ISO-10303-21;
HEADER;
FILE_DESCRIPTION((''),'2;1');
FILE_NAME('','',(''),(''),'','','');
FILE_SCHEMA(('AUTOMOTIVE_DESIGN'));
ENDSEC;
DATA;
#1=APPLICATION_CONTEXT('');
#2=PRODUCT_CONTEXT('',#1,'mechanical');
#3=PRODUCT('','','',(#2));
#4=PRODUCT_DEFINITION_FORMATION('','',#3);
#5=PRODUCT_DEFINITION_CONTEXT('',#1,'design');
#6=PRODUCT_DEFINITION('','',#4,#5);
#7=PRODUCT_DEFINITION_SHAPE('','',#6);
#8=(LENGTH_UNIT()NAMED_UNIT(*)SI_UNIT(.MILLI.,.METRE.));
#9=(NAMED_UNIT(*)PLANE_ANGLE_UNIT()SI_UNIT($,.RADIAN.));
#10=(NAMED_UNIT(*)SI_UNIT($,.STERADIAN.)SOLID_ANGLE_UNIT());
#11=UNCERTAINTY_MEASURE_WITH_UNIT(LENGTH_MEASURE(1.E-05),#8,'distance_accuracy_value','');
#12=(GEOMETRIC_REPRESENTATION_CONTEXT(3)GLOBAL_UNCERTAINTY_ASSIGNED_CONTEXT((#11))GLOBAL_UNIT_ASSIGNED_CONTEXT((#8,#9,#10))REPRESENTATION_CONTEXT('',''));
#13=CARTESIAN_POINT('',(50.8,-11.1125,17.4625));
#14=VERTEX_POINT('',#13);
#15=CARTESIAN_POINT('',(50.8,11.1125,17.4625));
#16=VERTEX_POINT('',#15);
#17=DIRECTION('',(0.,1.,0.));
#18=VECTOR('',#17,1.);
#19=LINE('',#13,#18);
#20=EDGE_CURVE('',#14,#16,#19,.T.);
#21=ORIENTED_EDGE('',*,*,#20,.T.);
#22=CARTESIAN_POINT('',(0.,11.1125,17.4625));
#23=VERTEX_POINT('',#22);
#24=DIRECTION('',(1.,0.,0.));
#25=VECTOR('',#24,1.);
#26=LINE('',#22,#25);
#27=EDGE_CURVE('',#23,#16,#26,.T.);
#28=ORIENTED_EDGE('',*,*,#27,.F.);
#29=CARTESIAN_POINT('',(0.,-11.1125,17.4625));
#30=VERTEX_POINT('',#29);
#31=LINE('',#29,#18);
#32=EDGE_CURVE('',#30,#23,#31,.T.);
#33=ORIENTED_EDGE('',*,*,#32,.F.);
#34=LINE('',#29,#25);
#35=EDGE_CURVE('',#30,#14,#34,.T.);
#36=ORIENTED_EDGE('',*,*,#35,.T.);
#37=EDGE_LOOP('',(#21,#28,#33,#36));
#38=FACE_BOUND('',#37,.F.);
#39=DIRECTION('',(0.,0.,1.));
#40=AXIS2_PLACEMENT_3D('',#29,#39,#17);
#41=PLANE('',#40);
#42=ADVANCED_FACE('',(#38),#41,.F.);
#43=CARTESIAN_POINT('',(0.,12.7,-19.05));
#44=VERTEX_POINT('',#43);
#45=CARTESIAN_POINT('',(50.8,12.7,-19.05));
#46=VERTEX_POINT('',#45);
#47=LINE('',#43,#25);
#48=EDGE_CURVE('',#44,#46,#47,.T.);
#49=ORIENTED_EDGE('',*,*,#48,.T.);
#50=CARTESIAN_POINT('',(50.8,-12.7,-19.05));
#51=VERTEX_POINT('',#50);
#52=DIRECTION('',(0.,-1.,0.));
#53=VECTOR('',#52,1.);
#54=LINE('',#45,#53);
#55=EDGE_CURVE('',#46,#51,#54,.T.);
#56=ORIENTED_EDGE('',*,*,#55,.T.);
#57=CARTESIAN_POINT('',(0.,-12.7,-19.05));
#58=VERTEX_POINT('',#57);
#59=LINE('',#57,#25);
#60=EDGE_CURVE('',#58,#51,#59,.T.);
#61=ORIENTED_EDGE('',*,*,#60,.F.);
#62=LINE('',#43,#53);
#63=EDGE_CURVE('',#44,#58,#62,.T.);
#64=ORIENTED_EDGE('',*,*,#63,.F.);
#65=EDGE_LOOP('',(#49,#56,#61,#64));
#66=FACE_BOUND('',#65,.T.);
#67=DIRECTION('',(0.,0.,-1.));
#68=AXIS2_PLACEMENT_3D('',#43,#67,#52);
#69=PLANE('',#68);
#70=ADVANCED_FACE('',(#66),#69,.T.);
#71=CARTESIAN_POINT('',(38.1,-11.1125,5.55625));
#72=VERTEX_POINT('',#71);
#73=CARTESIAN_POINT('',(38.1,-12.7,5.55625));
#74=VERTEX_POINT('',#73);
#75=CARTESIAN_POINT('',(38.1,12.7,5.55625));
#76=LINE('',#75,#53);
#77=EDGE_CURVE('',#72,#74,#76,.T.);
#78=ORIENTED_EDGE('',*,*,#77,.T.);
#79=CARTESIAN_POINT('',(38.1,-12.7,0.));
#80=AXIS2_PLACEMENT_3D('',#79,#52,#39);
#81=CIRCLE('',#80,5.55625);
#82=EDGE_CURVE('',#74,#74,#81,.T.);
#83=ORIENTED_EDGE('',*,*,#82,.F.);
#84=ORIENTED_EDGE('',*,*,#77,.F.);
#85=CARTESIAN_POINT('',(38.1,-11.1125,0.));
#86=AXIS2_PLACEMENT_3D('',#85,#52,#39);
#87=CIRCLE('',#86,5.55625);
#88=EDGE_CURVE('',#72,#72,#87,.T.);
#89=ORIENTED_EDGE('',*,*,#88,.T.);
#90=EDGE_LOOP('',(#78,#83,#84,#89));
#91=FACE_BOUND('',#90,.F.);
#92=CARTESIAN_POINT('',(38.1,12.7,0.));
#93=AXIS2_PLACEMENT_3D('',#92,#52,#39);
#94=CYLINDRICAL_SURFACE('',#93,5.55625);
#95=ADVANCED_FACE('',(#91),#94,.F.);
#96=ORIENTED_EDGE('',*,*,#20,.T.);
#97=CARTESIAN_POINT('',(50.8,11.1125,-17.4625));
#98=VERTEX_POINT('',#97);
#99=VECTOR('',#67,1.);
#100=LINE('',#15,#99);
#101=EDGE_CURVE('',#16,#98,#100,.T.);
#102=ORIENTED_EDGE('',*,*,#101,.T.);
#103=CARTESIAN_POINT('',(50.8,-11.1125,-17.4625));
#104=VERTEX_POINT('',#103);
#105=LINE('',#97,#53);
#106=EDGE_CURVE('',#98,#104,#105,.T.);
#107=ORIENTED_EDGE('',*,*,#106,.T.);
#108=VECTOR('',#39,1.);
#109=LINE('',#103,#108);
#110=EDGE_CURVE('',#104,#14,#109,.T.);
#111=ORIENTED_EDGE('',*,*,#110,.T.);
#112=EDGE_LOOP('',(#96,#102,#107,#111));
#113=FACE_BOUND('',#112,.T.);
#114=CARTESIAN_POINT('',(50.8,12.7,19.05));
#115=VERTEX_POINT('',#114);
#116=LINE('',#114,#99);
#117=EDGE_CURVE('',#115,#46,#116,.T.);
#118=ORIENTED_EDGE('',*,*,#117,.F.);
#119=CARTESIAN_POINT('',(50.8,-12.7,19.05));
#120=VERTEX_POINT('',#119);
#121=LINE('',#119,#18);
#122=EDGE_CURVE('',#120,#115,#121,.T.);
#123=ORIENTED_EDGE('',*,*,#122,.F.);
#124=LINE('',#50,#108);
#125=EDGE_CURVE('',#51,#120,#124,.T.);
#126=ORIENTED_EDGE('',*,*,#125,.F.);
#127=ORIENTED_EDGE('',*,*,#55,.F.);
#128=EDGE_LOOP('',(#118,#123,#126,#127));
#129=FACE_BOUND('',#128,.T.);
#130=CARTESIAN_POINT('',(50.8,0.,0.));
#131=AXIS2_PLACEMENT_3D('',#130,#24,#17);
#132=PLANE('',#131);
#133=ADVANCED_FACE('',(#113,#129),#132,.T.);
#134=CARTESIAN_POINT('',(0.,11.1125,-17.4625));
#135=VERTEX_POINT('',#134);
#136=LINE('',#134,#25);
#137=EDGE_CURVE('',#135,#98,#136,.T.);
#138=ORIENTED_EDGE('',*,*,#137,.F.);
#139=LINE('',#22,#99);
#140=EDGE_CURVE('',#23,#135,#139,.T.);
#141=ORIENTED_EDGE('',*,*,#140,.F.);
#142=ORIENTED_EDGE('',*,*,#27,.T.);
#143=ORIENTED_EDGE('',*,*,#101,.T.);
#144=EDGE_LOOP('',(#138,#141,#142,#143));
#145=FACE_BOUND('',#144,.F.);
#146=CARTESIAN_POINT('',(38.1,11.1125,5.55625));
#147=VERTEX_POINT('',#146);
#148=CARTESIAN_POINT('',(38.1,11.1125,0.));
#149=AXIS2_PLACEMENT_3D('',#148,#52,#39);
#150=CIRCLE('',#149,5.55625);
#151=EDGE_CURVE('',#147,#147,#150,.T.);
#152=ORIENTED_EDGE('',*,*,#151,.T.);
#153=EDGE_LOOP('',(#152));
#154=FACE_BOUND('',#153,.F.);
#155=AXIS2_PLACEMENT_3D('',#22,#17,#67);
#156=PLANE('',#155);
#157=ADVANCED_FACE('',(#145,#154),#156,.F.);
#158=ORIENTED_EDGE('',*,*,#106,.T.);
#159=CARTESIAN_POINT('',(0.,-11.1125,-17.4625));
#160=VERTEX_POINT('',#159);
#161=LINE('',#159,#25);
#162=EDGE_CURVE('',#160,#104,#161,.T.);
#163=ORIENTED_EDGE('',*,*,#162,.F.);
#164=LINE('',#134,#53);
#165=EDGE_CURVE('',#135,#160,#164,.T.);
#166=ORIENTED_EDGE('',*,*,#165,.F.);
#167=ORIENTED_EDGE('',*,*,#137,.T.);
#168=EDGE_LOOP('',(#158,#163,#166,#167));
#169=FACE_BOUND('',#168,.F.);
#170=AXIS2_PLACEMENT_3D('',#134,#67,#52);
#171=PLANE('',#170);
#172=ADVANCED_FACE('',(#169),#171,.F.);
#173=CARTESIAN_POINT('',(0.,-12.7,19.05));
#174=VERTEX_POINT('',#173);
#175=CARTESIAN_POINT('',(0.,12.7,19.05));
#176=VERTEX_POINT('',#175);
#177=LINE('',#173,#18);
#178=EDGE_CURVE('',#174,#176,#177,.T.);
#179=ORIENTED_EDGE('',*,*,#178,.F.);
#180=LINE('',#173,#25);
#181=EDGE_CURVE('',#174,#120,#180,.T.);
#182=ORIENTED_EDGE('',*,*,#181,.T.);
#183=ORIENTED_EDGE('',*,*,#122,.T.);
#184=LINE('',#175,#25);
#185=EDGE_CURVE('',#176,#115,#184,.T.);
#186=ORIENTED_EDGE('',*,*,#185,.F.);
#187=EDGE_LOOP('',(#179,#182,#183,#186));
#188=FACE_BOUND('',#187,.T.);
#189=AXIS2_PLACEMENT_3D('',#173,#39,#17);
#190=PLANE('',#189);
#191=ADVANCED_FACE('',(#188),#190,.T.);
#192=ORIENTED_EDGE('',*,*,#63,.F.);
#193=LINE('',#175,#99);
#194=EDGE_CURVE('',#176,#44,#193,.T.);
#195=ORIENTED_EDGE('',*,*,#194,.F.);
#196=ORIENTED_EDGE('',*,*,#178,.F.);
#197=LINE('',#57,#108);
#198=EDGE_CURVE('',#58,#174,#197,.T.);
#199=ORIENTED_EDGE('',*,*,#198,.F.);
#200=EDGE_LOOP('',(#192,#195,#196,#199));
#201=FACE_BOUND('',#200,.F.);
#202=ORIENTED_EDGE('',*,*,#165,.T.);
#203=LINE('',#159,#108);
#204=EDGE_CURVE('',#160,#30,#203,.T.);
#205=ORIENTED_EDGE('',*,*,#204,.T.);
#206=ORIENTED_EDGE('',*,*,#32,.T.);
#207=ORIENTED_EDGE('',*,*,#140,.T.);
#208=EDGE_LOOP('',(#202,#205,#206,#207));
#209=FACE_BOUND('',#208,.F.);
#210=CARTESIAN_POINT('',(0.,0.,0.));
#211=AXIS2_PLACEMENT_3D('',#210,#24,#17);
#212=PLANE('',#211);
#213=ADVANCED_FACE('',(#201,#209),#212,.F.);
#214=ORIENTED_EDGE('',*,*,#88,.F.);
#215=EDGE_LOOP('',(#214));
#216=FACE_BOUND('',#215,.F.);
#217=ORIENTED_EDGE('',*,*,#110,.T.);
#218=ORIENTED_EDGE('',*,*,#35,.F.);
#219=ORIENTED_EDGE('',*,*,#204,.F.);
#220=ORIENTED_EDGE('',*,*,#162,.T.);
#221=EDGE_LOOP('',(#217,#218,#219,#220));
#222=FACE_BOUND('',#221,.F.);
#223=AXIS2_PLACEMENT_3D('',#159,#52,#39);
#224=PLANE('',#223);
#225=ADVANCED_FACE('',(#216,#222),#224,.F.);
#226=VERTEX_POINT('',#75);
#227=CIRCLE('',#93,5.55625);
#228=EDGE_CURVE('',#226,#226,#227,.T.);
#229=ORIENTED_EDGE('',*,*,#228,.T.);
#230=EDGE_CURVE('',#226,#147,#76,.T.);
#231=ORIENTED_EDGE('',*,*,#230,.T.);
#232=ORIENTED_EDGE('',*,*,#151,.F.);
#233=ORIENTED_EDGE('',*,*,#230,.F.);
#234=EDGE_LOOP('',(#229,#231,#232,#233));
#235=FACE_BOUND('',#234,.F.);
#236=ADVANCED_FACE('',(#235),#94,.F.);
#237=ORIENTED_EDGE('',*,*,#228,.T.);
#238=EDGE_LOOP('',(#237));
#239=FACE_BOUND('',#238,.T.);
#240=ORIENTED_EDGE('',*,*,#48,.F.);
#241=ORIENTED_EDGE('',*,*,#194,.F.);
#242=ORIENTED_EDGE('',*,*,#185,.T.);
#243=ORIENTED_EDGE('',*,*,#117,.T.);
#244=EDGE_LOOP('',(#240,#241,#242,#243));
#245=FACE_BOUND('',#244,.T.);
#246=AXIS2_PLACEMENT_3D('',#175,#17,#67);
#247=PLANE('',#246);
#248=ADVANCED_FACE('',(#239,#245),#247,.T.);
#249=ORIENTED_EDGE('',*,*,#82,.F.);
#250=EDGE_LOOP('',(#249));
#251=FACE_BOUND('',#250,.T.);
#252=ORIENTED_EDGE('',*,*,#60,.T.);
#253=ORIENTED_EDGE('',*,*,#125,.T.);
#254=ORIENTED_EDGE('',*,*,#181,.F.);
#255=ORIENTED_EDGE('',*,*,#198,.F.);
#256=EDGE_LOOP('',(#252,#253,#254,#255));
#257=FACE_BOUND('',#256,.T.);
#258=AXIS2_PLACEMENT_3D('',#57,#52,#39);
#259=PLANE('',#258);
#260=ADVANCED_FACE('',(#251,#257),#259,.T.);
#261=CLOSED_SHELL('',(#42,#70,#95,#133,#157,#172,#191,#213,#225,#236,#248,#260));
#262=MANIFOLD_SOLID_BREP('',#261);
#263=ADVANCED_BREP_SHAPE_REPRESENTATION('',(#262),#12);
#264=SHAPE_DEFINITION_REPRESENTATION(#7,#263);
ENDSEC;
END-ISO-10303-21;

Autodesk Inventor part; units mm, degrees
ref_plane "Work Plane3" through (0, 12.7, 0) normal (0, 1, 0) x (-1, 0, 0)
ref_plane "Start Plane" through (0, 0, 0) normal (1, 0, 0) x (0, 1, 0)
ref_plane "End Plane" through (50.8, 0, 0) normal (1, 0, 0) x (0, 1, 0)
sketch "Sketch" plane through (0, 0, 0) normal (1, 0, 0) x (0, 1, 0)
  line L0 (-12.7, 19.05) -> (12.7, 19.05)
  line L1 (12.7, 19.05) -> (12.7, -19.05)
  line L2 (12.7, -19.05) -> (-12.7, -19.05)
  line L3 (-12.7, -19.05) -> (-12.7, 19.05)
  line L4 (-12.7, 19.05) -> (12.7, -19.05) construction
  line L5 (12.7, 19.05) -> (-12.7, -19.05) construction
  line L6 (-11.1125, 17.4625) -> (11.1125, 17.4625)
  line L7 (11.1125, 17.4625) -> (11.1125, -17.4625)
  line L8 (11.1125, -17.4625) -> (-11.1125, -17.4625)
  line L9 (-11.1125, -17.4625) -> (-11.1125, 17.4625)
  line L10 (-11.1125, 17.4625) -> (11.1125, -17.4625) construction
  line L11 (11.1125, 17.4625) -> (-11.1125, -17.4625) construction
  point P0 (0, 0)
  dimension "d0" = 38.1
  dimension "d1" = 25.4
  dimension "d2" = 1.5875
  dimension "d3" = 1.5875
extrude "Body" add sketch "Sketch" along normal up to surface (50.8 mm away) from surface at 0
sketch "Sketch8" plane through (0, 0, 0) normal (1, 0, 0) x (0, 1, 0)
  line L0 (0, 0) -> (10, 0)
ref_plane "Work Plane6" through (0, 0, 0) normal (0, 0, -1) x (0, 1, 0)
sketch "Sketch9" plane through (0, 0, 0) normal (0, 0, -1) x (0, 1, 0)
  line L0 (-17.78, 0) -> (17.78, 0)
  line L1 (-17.78, 50.8) -> (17.78, 50.8)
  dimension "d21" = 50.8
sketch "Sketch5" plane through (0, 12.7, -19.05) normal (0, 1, 0) x (1, 0, 0)
  line L0 (0, -38.1) -> (0, 0) projected
  point P0 (0, -19.05)
  point P1 (38.1, -19.05)
  dimension "d22" = 38.1
hole "Hole2" at (38.1, 12.7, 0) direction (0, -1, 0) diameter 11.1125 end through all
equation "\"d3\" = d2"
equation "\"G_OFFSET_START\" = 0"
equation "\"G_OFFSET_END\" = 0"
equation "\"d17\" = d4 + G_OFFSET_END"
equation "\"G_L\" = d21"
equation "\"d4\" = 50.8"
properties part number "1605682847418"
